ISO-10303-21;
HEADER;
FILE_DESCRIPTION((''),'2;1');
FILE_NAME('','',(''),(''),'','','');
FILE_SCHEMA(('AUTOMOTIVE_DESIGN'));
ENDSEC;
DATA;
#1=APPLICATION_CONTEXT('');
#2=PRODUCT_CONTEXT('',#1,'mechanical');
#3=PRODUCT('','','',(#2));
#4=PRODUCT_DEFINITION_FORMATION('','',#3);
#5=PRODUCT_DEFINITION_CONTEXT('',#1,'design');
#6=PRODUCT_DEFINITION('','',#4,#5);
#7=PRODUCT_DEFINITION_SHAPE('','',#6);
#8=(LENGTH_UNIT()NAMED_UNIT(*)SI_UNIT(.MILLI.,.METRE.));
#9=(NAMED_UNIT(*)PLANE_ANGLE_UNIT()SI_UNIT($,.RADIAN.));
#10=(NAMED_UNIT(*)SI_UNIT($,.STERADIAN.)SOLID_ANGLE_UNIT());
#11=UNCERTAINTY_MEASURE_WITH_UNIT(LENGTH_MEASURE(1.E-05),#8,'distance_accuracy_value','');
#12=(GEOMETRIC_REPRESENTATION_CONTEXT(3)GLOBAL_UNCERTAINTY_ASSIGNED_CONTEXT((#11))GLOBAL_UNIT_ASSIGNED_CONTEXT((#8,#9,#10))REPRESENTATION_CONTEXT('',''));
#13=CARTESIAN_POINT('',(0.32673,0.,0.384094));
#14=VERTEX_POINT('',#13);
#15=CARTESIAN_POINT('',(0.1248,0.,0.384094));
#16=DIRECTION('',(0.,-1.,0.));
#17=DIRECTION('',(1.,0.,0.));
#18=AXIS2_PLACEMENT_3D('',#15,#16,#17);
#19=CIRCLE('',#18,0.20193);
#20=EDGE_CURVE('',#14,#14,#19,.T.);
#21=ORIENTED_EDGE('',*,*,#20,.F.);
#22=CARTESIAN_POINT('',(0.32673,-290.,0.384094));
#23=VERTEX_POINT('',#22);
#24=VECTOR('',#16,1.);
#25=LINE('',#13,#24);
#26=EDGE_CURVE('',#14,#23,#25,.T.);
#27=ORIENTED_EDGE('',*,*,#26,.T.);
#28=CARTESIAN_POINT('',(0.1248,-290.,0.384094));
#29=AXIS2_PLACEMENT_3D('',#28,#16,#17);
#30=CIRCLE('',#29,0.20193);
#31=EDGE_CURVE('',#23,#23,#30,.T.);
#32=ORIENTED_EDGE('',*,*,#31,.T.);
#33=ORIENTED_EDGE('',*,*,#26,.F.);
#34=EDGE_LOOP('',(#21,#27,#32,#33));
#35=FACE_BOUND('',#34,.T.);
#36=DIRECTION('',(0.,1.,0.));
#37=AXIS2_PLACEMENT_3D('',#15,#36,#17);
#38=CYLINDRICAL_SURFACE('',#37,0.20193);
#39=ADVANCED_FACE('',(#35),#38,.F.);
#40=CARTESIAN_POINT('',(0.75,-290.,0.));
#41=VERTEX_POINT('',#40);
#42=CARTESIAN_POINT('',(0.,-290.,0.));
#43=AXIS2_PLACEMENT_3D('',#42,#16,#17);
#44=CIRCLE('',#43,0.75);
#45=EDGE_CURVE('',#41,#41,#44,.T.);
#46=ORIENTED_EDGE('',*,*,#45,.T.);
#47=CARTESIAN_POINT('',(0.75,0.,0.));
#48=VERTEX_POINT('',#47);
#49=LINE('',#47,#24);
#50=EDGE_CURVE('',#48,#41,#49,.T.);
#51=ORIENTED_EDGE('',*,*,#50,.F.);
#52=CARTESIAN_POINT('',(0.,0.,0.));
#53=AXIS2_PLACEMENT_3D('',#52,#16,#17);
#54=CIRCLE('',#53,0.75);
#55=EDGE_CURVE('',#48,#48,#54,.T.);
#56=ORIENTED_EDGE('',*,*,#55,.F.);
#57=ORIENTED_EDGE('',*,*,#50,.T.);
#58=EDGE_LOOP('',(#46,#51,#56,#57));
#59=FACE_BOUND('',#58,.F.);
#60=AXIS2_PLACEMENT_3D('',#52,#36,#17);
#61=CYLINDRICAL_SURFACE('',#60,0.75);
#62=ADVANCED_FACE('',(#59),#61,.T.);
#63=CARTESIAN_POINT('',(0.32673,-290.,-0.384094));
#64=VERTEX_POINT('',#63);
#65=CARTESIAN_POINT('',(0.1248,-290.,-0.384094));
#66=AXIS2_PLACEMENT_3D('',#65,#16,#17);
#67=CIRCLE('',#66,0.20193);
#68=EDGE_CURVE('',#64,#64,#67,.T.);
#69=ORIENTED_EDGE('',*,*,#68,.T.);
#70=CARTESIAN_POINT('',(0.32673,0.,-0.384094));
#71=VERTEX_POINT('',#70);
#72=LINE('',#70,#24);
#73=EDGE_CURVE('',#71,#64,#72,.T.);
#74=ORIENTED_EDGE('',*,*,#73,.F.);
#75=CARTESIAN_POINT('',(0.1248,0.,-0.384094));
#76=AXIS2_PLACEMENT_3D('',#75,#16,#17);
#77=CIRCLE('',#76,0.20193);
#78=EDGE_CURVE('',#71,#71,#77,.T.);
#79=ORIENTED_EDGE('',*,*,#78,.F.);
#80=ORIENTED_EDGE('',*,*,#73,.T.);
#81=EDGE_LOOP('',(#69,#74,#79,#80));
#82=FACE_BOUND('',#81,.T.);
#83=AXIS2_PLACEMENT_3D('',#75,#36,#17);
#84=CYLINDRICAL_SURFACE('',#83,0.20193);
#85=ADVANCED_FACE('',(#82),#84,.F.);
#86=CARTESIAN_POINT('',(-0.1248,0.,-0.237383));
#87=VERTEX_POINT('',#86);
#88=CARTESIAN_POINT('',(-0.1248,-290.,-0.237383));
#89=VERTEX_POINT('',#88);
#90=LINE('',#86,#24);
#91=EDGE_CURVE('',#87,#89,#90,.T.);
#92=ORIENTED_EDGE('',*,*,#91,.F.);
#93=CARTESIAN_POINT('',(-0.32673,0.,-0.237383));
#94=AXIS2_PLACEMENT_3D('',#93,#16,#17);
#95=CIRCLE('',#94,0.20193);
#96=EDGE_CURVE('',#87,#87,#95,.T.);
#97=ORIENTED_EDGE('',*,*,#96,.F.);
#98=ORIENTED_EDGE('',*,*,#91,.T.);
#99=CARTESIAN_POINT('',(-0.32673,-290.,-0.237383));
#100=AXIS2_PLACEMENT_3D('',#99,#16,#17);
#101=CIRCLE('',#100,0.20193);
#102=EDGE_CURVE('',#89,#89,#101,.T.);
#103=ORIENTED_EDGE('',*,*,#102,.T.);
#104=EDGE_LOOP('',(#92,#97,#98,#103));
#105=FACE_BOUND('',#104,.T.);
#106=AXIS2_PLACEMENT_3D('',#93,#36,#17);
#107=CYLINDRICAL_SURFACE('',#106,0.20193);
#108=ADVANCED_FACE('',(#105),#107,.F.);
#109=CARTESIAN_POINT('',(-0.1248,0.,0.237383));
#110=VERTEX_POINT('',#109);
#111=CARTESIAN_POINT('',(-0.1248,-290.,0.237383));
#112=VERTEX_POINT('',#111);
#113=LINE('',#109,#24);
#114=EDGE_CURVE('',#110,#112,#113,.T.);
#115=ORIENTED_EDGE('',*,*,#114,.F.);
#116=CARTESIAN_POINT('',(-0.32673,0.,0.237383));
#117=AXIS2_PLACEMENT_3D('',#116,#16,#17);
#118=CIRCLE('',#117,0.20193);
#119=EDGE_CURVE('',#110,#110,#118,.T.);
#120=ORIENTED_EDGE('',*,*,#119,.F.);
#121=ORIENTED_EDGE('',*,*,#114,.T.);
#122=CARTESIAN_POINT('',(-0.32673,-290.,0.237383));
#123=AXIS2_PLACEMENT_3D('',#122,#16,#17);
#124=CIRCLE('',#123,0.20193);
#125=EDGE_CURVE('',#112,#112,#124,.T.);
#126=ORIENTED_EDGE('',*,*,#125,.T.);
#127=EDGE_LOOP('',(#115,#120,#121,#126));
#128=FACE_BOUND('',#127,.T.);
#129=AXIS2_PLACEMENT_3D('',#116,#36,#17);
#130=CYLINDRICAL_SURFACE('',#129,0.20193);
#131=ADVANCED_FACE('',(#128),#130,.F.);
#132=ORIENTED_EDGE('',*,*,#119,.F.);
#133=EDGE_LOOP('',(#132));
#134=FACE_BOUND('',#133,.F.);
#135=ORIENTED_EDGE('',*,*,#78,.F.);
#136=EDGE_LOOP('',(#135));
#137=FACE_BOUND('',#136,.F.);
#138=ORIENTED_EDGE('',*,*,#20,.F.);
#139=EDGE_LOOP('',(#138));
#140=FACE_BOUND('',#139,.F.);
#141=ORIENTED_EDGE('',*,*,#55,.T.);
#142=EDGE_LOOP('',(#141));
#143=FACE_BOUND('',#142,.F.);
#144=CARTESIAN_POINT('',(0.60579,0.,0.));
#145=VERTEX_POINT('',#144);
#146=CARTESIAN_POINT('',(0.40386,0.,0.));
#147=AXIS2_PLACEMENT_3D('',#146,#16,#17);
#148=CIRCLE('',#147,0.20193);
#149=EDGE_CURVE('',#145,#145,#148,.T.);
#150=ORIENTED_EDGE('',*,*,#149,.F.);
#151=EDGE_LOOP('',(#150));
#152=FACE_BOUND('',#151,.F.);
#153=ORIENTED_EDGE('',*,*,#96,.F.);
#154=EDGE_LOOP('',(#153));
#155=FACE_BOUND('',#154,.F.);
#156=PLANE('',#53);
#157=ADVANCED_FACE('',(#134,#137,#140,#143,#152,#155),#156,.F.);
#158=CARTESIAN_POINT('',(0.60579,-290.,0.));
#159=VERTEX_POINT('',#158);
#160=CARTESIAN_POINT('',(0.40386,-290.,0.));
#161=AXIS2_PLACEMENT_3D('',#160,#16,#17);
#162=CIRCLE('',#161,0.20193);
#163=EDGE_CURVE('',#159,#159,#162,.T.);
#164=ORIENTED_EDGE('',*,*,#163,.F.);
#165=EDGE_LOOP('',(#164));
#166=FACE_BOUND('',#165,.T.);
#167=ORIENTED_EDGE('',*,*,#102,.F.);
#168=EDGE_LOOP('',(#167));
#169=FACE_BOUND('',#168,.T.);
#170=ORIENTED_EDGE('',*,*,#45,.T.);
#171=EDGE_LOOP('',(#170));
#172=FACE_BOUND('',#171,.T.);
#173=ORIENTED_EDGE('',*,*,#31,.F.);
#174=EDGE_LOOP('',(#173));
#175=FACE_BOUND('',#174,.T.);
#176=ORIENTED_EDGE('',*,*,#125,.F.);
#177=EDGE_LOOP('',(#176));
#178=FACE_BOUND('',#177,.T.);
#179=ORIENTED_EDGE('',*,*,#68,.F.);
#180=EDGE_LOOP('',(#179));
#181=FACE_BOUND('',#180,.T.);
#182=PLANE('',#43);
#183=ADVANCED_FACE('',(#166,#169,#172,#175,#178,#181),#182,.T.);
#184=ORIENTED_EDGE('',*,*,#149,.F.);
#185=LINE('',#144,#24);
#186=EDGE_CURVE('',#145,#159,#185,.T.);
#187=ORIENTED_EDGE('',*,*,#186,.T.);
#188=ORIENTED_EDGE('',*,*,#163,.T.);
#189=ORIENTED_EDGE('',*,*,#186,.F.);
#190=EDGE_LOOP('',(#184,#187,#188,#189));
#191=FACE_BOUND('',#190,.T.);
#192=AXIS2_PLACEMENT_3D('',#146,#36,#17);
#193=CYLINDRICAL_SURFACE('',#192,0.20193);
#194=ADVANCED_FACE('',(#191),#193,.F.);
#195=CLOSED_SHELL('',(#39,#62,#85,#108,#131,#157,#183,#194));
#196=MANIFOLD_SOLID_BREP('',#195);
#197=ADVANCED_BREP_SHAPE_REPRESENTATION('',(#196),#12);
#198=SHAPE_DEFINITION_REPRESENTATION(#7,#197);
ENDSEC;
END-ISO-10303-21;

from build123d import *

# Parameters (mm, degrees)
F0_R     = 0.75
F0_R_2   = 0.20193
F1_DEPTH = 290


with BuildPart() as f1:
    # F0 (on Front) → F1 (new body)
    with BuildSketch(Plane.XZ):
        Circle(F0_R)
        with Locations((-0.32673, -0.237383)):
            Circle(F0_R_2, mode=Mode.SUBTRACT)
        with Locations((0.1248, -0.384094)):
            Circle(F0_R_2, mode=Mode.SUBTRACT)
        with Locations((-0.32673, 0.237383)):
            Circle(F0_R_2, mode=Mode.SUBTRACT)
        with Locations((0.40386, 0)):
            Circle(F0_R_2, mode=Mode.SUBTRACT)
        with Locations((0.1248, 0.384094)):
            Circle(F0_R_2, mode=Mode.SUBTRACT)
    extrude(amount=F1_DEPTH)


solid = f1.part
